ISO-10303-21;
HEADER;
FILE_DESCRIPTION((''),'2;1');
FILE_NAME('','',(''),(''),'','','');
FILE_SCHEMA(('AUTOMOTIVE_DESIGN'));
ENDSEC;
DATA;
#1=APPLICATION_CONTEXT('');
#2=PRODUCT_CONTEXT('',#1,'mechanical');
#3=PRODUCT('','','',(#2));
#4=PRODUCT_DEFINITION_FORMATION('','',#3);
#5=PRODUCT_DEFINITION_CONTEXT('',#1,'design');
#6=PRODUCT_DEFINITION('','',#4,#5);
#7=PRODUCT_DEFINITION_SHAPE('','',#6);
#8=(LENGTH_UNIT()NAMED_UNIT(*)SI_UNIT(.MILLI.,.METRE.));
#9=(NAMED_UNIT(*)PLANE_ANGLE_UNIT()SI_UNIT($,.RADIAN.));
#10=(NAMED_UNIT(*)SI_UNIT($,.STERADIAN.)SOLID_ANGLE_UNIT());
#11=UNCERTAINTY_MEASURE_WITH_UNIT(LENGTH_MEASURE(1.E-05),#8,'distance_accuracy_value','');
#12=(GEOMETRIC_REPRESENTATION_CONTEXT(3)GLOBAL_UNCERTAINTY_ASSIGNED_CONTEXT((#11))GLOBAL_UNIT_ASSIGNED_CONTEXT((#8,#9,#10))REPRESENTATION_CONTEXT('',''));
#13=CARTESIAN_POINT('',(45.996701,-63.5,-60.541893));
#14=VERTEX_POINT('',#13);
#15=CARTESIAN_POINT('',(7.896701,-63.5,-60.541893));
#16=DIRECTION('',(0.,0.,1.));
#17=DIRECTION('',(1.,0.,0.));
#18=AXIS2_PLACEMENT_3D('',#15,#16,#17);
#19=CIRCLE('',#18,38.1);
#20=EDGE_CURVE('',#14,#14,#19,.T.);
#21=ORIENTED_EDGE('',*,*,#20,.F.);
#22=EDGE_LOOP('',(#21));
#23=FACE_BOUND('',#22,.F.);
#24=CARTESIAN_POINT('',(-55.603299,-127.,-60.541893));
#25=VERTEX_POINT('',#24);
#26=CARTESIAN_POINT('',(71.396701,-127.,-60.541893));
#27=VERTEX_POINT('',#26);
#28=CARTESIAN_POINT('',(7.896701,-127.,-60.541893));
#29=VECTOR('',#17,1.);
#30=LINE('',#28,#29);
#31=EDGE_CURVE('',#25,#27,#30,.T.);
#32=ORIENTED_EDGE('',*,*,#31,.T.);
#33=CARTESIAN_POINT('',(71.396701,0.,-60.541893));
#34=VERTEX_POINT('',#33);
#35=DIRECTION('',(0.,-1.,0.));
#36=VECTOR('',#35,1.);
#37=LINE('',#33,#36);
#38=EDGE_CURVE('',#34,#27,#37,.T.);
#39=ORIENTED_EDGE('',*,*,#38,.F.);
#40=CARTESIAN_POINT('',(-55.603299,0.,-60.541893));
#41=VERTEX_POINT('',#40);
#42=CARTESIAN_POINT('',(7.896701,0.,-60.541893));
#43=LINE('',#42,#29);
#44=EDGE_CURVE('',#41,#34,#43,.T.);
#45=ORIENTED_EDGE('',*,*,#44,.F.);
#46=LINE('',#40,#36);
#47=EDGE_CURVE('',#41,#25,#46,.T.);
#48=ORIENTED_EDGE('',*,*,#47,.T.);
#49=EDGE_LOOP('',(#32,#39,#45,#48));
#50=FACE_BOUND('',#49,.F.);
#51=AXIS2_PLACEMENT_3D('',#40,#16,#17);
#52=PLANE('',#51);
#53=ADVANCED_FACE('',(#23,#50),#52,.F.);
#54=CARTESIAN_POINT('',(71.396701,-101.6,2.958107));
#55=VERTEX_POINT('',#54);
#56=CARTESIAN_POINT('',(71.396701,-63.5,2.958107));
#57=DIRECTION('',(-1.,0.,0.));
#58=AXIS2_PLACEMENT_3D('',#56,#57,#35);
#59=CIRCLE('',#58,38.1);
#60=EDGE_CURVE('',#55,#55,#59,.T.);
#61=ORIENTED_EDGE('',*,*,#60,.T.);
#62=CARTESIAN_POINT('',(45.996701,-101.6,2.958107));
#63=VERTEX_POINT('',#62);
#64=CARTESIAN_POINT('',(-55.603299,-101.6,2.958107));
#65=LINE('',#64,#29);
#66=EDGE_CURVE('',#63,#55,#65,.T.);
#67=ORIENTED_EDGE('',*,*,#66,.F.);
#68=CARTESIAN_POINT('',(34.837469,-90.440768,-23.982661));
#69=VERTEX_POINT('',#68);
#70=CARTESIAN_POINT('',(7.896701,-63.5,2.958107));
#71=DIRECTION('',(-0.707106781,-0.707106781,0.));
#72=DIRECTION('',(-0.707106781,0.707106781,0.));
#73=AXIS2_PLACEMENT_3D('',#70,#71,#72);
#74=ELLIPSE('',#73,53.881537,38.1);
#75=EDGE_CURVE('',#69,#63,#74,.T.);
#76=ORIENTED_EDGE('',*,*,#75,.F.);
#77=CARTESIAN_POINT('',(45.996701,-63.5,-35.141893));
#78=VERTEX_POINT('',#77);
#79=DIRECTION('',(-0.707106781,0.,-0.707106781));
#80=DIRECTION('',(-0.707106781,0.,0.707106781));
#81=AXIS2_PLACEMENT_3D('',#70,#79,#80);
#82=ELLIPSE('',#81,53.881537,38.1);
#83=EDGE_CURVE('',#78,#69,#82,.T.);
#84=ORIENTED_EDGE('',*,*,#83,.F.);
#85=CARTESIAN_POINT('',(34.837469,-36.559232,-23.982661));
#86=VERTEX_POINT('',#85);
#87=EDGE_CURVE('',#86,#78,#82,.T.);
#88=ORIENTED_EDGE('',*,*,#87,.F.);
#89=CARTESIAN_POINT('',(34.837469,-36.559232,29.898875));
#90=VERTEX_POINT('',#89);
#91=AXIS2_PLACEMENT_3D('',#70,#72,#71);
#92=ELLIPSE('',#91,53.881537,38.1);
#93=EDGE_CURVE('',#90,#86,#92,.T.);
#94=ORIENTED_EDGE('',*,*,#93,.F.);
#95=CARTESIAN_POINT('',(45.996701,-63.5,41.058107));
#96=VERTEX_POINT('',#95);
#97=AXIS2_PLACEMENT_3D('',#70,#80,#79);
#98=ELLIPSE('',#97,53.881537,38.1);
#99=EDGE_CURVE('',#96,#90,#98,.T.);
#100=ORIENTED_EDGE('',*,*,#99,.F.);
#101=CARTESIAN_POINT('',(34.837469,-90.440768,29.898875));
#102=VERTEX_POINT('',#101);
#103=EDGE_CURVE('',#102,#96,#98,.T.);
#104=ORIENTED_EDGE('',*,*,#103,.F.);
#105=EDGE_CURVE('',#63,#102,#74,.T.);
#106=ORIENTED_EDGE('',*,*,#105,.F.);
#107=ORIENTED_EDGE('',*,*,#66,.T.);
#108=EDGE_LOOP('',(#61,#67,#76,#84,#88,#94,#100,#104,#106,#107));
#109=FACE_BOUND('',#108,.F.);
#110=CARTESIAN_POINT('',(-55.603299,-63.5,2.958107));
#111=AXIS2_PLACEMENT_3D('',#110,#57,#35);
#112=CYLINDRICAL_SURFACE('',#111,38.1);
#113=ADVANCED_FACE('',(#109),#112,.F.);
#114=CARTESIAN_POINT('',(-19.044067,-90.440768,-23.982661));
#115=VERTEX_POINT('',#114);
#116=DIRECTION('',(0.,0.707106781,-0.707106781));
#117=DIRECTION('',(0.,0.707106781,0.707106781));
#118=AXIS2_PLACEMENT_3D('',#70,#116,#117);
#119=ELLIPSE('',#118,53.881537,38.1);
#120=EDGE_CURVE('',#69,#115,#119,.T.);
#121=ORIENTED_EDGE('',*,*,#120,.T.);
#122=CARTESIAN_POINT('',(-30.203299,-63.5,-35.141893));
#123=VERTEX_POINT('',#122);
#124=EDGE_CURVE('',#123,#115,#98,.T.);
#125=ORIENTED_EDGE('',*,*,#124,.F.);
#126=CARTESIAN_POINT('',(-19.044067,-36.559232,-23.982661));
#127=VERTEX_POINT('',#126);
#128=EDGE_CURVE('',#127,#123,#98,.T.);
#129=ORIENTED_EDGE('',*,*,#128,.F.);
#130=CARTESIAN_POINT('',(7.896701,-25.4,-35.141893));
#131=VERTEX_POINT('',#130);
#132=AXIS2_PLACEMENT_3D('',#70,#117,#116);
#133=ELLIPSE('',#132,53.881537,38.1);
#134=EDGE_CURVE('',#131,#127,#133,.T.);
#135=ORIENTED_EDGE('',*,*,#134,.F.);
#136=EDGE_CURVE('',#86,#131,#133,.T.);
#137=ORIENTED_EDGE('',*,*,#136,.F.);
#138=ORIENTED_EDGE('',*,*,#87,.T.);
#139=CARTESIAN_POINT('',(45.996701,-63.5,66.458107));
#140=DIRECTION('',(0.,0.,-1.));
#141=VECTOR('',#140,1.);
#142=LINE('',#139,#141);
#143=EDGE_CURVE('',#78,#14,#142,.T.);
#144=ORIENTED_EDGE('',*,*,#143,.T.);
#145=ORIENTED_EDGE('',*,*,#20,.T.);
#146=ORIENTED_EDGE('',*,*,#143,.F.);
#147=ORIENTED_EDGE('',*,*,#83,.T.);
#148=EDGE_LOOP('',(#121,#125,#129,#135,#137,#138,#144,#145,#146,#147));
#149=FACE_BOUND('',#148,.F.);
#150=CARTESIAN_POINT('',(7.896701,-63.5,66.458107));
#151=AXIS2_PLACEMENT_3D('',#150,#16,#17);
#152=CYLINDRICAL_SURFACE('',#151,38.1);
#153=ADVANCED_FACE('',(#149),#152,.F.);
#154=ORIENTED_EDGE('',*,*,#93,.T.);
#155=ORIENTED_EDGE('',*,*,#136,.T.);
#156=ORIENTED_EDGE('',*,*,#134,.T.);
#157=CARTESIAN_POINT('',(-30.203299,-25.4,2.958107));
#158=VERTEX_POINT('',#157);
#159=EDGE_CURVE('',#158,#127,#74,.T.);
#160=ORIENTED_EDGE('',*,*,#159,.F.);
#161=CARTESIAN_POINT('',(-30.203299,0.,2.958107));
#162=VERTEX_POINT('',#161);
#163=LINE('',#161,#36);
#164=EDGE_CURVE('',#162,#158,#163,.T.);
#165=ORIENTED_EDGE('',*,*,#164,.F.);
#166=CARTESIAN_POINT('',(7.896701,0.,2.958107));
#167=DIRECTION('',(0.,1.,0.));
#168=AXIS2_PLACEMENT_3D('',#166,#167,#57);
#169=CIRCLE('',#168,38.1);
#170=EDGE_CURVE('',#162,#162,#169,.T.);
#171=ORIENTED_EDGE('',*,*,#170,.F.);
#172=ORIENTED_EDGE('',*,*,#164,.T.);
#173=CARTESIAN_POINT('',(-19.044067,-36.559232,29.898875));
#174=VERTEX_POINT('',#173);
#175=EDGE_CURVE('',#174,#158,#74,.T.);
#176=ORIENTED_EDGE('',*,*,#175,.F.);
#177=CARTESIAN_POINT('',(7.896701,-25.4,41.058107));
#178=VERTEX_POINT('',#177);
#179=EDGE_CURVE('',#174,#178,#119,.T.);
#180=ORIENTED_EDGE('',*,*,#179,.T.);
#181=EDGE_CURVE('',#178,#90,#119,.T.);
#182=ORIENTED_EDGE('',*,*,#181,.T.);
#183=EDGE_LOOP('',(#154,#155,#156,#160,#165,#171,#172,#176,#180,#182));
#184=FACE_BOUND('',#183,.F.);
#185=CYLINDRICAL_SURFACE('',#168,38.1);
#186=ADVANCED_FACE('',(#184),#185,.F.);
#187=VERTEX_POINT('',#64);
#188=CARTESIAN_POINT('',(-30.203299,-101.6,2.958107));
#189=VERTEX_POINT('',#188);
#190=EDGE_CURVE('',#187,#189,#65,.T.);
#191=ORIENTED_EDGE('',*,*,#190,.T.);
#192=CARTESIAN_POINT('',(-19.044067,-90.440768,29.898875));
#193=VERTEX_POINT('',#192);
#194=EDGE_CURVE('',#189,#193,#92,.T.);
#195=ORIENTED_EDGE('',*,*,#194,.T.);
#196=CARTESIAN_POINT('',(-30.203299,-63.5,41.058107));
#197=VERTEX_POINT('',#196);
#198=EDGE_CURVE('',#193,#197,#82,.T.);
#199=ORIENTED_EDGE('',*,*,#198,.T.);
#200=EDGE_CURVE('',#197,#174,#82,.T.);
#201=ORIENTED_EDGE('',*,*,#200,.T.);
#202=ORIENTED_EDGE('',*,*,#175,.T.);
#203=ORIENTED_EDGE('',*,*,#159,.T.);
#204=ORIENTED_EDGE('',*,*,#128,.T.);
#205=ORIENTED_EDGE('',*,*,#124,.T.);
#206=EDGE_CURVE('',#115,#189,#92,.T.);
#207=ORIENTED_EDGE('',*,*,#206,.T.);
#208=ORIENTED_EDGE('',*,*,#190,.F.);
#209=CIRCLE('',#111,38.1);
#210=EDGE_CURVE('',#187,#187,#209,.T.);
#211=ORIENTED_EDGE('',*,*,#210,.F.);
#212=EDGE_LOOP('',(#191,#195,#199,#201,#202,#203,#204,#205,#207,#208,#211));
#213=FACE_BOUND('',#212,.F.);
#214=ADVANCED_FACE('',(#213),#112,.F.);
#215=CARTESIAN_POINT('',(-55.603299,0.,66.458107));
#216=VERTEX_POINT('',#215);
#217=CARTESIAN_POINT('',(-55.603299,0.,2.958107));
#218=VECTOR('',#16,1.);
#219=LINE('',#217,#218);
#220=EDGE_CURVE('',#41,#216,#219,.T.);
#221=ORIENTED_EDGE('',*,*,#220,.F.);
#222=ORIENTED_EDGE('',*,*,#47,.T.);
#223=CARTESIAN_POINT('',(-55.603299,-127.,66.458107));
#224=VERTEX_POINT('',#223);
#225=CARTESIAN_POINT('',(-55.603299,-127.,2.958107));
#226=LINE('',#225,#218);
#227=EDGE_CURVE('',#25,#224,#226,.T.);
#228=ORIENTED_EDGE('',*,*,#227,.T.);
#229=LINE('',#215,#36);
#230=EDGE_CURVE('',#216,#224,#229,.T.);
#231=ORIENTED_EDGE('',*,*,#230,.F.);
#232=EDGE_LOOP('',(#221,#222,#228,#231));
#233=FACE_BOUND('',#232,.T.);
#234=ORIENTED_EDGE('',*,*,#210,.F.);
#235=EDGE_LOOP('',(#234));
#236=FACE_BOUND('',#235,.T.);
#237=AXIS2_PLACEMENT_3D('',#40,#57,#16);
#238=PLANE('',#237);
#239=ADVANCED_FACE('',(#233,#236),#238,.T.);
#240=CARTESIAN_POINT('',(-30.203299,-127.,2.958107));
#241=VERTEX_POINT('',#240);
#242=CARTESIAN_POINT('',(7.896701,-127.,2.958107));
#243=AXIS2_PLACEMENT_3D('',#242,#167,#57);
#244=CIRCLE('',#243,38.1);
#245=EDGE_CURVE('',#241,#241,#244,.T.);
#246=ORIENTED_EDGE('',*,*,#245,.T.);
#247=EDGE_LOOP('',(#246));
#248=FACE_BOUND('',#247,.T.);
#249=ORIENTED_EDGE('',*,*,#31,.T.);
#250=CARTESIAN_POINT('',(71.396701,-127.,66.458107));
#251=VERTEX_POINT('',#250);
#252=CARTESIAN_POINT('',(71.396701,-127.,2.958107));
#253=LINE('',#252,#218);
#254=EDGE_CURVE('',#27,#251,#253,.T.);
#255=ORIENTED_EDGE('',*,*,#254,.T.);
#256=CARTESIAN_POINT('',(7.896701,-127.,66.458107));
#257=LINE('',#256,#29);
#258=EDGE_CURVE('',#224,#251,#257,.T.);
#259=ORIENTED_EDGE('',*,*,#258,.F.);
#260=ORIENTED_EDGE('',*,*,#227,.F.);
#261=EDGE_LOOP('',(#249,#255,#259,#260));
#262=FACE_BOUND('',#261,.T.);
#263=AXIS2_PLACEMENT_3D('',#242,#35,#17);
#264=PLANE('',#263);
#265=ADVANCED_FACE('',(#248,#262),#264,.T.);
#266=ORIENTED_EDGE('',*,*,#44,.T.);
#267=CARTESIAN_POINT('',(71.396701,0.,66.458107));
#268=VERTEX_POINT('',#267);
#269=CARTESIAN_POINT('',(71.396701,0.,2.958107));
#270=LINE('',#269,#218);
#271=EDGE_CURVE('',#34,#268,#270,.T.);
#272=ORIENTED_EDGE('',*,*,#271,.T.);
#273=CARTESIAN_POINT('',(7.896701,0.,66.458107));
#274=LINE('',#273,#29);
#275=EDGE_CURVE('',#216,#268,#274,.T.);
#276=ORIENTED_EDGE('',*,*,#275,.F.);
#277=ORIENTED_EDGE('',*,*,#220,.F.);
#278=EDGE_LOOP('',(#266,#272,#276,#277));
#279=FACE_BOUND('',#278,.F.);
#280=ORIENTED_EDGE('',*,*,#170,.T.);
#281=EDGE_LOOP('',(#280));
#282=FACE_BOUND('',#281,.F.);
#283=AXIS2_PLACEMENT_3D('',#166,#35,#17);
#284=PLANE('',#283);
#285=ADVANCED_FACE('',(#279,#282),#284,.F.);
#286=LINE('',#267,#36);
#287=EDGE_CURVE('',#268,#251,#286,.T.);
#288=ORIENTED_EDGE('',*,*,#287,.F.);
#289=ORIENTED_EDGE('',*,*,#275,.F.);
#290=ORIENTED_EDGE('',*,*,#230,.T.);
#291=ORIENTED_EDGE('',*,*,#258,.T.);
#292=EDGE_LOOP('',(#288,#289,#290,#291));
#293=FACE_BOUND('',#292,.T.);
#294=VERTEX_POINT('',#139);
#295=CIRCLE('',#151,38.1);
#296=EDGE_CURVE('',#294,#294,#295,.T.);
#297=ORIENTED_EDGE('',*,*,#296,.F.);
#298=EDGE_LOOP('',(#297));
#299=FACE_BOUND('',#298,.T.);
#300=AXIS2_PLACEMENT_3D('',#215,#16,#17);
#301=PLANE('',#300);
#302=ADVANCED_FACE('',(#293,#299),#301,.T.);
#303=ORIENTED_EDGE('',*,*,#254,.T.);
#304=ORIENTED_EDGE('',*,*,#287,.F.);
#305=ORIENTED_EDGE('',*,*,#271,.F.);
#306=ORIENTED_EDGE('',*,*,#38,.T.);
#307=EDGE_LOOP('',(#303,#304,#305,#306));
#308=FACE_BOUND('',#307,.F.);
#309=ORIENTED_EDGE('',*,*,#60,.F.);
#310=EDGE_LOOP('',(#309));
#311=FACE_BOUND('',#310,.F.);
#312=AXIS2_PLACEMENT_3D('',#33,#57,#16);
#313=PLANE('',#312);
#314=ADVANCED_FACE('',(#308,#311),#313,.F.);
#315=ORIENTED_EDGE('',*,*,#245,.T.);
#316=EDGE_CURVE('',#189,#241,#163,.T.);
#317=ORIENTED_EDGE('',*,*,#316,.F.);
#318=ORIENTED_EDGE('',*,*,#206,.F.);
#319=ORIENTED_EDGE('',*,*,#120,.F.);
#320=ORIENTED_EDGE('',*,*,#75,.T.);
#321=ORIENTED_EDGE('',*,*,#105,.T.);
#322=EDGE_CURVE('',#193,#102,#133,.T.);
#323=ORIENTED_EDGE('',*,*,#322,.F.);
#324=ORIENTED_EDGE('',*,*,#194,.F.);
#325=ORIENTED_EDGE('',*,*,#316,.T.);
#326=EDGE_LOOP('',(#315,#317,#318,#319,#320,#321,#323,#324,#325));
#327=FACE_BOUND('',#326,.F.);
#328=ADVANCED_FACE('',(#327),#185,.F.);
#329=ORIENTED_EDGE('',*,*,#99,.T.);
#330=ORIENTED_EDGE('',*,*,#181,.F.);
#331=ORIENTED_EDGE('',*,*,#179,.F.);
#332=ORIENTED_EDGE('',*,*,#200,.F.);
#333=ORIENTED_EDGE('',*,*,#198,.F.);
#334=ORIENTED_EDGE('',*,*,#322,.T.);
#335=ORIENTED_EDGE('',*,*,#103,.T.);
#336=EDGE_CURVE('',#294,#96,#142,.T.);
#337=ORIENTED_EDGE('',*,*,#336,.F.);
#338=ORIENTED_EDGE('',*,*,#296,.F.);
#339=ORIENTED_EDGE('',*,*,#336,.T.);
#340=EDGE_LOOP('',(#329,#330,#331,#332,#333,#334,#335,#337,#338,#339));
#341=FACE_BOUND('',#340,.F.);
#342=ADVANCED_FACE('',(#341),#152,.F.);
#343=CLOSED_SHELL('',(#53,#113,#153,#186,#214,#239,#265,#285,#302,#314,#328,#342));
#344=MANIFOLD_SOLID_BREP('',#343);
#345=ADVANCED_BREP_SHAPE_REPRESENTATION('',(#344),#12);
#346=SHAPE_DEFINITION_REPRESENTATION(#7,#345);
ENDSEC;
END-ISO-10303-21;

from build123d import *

# Parameters (mm, degrees)
F0_W     = 127
F0_H     = 127
F1_DEPTH = 127
F2_R     = 38.1
F3_DEPTH = 127.001
F4_R     = 38.1
F5_DEPTH = 127.001
F6_R     = 38.1
F7_DEPTH = 127.001


with BuildPart() as f1:
    # F0 (on Front) → F1 (new body)
    with BuildSketch(Plane.XZ):
        with Locations((7.896701, 2.958107)):
            Rectangle(F0_W, F0_H)
    extrude(amount=F1_DEPTH)

    # F2 (on face) → F3 (cut, through all)
    with BuildSketch(Plane(origin=(-55.603299, 0, 0), x_dir=(0, -1, 0), z_dir=(-1, 0, 0))):
        with Locations((63.5, 2.958107)):
            Circle(F2_R)
    extrude(amount=-F3_DEPTH, mode=Mode.SUBTRACT)

    # F4 (on face) → F5 (cut, through all)
    with BuildSketch(Plane(origin=(0, 0, 0), x_dir=(-1, 0, 0), z_dir=(0, 1, 0))):
        with Locations((-7.896701, 2.958107)):
            Circle(F4_R)
    extrude(amount=-F5_DEPTH, mode=Mode.SUBTRACT)

    # F6 (on face) → F7 (cut, through all)
    with BuildSketch(Plane.XY.offset(66.458107)):
        with Locations((7.896701, -63.5)):
            Circle(F6_R)
    extrude(amount=-F7_DEPTH, mode=Mode.SUBTRACT)


solid = f1.part
